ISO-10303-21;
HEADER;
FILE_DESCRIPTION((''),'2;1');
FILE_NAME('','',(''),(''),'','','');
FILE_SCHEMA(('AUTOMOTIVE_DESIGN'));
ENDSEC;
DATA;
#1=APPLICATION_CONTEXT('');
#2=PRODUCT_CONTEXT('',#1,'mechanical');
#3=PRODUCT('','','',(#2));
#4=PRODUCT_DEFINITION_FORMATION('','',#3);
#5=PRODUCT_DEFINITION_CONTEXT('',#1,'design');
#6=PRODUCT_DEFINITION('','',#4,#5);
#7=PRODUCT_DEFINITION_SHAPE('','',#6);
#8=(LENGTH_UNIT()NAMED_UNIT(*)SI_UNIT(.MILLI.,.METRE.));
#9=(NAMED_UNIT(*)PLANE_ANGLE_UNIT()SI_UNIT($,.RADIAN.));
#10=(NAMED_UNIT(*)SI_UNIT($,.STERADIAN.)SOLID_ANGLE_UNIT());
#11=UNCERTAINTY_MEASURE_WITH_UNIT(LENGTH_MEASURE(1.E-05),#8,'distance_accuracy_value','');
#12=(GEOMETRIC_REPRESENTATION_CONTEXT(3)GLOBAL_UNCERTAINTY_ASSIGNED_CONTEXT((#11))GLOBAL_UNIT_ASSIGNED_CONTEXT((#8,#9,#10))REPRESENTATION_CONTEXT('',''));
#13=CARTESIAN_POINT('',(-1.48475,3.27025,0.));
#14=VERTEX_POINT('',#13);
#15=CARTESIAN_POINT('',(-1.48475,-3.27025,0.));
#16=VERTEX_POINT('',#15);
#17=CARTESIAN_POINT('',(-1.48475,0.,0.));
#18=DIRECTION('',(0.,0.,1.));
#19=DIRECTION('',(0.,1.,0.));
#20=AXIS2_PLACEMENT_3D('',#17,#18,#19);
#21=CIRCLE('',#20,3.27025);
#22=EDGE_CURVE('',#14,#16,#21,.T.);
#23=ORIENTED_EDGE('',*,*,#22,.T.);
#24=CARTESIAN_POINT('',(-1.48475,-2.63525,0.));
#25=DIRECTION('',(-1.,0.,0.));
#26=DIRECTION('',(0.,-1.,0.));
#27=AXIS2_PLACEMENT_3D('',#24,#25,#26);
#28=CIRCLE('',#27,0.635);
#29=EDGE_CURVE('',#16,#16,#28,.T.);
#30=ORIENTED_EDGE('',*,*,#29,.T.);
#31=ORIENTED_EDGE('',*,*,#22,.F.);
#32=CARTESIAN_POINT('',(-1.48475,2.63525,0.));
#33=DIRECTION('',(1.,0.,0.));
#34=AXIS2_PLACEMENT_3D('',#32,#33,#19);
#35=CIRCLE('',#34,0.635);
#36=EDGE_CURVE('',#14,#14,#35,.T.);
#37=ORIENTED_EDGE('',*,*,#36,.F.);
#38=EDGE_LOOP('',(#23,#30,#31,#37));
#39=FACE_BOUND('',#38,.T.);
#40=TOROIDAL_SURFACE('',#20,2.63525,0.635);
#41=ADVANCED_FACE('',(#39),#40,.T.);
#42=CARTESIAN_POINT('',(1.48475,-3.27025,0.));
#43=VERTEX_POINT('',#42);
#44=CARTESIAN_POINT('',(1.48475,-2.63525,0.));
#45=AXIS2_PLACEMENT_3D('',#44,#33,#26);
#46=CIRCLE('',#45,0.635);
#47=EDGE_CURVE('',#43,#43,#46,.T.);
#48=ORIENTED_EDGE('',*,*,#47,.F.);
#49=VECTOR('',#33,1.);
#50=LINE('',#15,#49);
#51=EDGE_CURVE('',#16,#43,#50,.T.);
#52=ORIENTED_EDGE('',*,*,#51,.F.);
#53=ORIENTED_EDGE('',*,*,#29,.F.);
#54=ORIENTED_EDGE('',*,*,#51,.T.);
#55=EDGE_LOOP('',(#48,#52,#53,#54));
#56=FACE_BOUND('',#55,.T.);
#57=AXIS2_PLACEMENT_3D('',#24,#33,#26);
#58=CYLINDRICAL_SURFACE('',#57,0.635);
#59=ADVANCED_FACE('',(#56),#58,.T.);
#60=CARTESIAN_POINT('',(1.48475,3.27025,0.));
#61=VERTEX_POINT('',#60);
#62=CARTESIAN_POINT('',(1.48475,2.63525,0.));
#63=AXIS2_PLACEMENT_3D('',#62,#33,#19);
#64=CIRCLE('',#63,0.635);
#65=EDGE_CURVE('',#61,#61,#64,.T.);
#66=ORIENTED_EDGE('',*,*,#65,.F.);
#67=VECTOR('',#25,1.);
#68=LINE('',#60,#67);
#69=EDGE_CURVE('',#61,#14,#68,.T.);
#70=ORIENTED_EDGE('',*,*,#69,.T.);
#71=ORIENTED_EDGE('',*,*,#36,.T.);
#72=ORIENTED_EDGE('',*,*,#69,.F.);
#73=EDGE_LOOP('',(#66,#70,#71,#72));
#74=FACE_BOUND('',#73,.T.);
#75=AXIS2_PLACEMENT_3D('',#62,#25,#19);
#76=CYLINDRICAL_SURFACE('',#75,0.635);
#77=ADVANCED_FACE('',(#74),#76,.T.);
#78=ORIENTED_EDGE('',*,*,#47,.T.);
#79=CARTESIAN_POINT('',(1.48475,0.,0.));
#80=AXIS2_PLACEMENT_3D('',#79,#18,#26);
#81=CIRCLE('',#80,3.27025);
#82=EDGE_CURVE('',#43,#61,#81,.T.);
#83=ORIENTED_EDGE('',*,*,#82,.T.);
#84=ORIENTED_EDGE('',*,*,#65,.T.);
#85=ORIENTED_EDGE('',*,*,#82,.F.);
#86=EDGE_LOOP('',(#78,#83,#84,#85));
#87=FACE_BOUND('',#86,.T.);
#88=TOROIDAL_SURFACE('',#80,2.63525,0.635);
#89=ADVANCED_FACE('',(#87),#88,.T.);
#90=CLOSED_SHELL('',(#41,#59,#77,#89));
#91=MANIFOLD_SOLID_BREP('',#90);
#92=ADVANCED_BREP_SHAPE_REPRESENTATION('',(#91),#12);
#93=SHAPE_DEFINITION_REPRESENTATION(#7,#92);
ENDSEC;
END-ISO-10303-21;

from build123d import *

# Parameters (mm, degrees)
F2_R = 0.635


with BuildPart() as f3:
    # F3: sweep along a path in F0
    with BuildLine(Plane.XY) as f3_path:
        ThreePointArc((-1.48475, 2.63525), (-4.12, 0), (-1.48475, -2.63525))
        Line((-1.48475, -2.63525), (1.48475, -2.63525))
        ThreePointArc((1.48475, -2.63525), (4.12, 0), (1.48475, 2.63525))
        Line((1.48475, 2.63525), (-1.48475, 2.63525))
    # F2 (on plane+point) → F3 (sweep)
    with BuildSketch(Plane.YZ.offset(-1.48475)):
        with Locations((2.63525, 0)):
            Circle(F2_R)
    sweep(path=f3_path.line)


solid = f3.part
